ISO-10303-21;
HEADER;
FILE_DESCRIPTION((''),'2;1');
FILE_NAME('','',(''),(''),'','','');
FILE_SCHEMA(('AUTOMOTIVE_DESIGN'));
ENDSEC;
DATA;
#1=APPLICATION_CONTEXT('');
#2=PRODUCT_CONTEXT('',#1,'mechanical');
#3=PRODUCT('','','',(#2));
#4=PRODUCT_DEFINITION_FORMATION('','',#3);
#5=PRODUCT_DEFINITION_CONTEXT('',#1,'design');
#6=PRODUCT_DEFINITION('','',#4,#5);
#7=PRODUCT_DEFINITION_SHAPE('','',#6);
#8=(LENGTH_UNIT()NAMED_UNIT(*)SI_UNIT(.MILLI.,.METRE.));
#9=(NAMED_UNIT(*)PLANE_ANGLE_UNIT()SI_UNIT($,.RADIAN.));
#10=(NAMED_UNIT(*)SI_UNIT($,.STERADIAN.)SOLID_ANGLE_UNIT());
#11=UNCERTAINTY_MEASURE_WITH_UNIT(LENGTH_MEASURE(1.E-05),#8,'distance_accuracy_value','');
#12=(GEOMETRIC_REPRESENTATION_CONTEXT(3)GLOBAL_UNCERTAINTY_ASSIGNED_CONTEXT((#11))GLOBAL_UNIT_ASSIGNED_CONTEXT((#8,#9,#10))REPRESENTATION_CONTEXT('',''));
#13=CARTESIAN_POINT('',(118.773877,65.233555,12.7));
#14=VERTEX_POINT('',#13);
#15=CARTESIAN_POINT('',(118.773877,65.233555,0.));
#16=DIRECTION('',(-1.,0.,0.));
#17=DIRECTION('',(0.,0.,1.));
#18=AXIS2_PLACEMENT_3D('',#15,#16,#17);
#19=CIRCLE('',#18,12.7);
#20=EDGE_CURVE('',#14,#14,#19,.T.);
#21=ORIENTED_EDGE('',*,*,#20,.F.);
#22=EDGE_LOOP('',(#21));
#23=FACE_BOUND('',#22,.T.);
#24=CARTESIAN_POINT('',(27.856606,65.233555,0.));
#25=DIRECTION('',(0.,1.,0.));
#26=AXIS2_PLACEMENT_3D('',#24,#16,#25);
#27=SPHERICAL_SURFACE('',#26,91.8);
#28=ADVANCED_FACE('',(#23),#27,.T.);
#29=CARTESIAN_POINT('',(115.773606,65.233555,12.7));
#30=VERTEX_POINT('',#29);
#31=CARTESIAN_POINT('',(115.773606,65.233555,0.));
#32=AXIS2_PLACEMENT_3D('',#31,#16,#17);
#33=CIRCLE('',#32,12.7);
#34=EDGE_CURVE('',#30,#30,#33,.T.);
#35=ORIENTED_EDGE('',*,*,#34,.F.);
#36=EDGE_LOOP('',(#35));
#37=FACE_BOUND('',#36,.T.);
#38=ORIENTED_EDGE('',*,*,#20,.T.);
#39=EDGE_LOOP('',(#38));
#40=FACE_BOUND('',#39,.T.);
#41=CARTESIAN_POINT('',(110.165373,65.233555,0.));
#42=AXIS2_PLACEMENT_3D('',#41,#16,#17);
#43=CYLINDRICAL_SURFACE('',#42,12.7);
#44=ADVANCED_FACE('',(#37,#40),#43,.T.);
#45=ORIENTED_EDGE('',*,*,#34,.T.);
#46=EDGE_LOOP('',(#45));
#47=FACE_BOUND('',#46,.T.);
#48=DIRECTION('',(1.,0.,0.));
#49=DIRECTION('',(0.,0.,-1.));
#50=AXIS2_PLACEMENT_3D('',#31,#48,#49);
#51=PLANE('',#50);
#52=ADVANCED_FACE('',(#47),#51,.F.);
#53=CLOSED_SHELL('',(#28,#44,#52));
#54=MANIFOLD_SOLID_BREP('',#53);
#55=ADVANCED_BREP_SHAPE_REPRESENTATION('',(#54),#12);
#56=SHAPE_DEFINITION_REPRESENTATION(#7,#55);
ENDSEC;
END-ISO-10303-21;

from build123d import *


with BuildPart() as part:
    # 草图1 → 旋转1 (revolve)
    with BuildSketch(Plane.XY):
        with BuildLine():
            Line((115.773606431, 65.233554926), (115.773606431, 77.933554926))
            Line((115.773606431, 77.933554926), (118.773876517, 77.933554926))
            ThreePointArc((118.773876517, 77.933554926), (119.435658058, 71.598875266), (119.656606431, 65.233554926))
            Line((119.656606431, 65.233554926), (115.773606431, 65.233554926))
        make_face()
    revolve(axis=Axis((110.165373228, 65.233554926, 0), (1, 0, 0)))


solid = part.part
